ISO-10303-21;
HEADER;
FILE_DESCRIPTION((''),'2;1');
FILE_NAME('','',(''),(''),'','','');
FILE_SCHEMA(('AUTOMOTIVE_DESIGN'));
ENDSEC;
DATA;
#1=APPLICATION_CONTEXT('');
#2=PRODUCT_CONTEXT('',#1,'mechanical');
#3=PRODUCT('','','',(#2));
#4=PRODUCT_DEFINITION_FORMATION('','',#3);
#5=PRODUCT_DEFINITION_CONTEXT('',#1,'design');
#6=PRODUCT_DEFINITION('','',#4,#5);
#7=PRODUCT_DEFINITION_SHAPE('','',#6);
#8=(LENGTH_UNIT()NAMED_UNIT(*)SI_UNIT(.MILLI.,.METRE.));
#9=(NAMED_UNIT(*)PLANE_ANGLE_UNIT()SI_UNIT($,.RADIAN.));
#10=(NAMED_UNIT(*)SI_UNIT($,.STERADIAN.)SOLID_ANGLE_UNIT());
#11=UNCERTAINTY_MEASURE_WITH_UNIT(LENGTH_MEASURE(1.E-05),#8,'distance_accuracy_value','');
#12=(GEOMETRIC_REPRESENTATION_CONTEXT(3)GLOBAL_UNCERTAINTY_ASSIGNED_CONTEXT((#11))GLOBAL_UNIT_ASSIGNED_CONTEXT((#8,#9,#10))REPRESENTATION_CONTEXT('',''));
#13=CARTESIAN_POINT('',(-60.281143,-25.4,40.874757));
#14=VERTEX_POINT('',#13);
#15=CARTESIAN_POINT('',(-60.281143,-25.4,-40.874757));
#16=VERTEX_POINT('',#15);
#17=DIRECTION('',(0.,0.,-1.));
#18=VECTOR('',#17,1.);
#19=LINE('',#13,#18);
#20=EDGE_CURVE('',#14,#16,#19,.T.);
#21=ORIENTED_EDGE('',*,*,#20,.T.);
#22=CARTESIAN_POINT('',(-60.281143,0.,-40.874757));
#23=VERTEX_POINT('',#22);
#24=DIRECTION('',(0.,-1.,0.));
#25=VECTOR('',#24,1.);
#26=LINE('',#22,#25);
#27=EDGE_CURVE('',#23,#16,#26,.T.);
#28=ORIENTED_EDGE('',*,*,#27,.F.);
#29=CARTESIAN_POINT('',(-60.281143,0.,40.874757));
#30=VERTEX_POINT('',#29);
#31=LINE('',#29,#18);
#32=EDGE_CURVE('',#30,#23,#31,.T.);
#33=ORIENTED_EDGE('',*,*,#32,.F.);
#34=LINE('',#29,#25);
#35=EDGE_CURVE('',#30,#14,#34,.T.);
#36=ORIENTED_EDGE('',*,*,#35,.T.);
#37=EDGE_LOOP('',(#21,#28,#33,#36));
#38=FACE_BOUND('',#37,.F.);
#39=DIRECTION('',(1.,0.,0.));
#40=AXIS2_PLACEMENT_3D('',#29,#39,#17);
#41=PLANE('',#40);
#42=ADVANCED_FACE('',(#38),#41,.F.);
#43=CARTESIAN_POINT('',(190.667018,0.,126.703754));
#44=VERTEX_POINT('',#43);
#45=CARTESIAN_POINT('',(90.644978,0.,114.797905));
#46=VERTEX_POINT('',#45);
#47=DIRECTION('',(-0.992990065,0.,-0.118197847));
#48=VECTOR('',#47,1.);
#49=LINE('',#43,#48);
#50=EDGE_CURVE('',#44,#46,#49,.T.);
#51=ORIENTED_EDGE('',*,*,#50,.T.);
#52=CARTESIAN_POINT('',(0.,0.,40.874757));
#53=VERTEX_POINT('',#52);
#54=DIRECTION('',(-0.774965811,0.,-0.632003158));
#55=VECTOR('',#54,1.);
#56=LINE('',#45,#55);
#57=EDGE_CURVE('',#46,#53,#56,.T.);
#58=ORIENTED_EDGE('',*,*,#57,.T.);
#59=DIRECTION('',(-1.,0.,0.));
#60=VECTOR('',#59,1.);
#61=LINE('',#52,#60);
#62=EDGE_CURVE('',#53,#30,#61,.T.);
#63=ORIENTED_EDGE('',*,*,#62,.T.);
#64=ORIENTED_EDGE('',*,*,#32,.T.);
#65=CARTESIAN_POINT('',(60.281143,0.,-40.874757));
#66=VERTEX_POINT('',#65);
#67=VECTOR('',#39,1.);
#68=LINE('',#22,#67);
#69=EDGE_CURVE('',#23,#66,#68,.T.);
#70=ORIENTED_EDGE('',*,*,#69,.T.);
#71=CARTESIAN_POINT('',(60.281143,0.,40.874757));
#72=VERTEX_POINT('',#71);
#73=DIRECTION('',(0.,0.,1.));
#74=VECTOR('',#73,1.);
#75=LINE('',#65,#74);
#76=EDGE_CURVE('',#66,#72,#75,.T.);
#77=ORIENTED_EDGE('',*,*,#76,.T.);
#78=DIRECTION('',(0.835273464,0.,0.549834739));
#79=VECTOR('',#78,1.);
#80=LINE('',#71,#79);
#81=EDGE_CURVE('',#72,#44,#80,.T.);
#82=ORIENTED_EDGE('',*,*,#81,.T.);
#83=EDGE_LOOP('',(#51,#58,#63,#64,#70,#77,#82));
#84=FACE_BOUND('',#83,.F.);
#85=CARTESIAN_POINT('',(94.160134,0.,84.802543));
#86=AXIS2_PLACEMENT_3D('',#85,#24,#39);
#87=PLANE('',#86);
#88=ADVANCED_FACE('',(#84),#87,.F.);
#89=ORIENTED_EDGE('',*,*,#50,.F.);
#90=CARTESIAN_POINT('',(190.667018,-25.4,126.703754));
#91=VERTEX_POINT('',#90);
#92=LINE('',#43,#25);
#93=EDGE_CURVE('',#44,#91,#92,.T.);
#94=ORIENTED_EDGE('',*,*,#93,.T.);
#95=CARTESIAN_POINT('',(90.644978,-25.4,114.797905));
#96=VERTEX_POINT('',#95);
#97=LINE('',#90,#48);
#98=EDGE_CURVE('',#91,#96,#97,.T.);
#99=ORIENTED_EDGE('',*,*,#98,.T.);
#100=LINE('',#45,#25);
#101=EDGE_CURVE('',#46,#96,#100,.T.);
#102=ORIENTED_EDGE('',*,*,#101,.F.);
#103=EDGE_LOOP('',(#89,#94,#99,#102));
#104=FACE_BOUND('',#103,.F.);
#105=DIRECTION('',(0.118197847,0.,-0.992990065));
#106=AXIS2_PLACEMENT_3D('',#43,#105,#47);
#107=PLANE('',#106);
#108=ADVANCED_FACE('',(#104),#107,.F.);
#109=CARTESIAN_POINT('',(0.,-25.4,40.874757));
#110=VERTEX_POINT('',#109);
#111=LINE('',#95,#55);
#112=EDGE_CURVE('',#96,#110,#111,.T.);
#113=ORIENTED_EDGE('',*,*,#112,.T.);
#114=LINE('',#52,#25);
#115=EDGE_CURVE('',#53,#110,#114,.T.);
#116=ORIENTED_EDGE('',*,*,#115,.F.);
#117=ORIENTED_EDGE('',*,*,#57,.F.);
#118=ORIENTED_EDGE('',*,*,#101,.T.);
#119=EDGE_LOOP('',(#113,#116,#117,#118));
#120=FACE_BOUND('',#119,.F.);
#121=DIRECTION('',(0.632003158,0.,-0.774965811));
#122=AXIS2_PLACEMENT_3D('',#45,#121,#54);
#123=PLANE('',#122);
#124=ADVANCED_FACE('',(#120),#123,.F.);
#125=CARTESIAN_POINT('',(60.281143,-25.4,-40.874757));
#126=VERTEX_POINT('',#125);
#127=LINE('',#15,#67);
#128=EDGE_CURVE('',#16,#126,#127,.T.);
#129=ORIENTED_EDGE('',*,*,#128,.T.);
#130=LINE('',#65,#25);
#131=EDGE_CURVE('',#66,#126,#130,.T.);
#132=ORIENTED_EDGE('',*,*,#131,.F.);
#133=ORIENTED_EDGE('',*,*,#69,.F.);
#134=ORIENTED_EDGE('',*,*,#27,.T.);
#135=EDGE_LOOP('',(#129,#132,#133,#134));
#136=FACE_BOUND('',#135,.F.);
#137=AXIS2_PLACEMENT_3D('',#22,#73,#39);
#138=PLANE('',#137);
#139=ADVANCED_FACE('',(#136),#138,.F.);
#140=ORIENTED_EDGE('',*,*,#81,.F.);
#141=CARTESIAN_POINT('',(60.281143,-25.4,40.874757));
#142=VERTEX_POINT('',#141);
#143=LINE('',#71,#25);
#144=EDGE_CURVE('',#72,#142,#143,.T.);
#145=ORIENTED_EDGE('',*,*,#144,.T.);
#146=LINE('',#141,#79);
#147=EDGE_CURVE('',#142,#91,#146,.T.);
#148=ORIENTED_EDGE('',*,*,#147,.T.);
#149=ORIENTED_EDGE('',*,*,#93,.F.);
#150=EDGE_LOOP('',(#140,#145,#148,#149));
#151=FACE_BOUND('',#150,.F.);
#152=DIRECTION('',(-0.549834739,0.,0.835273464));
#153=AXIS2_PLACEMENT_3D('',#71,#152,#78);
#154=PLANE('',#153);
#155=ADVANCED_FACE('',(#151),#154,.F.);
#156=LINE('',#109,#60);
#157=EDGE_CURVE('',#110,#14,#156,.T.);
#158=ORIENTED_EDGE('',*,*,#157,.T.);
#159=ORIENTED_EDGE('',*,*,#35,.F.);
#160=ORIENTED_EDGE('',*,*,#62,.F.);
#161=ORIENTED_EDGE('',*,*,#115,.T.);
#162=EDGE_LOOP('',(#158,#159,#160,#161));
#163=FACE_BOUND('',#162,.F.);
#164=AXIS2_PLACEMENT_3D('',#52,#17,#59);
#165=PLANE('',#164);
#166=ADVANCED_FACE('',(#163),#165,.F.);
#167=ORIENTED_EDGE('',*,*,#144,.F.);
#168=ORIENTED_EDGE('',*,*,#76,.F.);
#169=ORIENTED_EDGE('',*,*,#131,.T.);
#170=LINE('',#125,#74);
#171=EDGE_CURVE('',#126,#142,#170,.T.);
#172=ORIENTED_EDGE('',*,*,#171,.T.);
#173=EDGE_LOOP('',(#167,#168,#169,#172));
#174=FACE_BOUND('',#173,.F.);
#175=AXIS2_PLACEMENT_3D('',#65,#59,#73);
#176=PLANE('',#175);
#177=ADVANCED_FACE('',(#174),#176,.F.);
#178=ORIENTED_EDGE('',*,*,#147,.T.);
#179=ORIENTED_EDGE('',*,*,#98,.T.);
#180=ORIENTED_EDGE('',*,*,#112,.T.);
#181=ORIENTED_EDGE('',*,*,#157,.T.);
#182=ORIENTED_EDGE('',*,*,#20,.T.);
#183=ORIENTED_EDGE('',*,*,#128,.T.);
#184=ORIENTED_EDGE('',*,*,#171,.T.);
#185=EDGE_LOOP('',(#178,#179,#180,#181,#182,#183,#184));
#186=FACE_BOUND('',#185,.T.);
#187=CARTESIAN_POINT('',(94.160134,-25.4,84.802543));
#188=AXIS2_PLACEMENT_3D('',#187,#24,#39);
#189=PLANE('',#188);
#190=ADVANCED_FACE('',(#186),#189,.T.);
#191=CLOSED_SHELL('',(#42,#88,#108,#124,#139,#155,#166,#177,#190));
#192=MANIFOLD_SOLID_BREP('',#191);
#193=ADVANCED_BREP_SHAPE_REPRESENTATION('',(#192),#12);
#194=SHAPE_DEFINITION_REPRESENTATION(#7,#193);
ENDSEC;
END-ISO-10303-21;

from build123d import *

# Parameters (mm, degrees)
F1_DEPTH = 25.4


with BuildPart() as f1:
    # F0 (on Front) → F1 (new body)
    with BuildSketch(Plane.XZ):
        Polygon((0, 40.874757), (60.281143, 40.874757), (190.667018, 126.703754), (90.644978, 114.797905), align=None)
        Polygon((-60.281143, -40.874757), (60.281143, -40.874757), (60.281143, 40.874757), (0, 40.874757), (-60.281143, 40.874757), align=None)
    extrude(amount=F1_DEPTH)


solid = f1.part
